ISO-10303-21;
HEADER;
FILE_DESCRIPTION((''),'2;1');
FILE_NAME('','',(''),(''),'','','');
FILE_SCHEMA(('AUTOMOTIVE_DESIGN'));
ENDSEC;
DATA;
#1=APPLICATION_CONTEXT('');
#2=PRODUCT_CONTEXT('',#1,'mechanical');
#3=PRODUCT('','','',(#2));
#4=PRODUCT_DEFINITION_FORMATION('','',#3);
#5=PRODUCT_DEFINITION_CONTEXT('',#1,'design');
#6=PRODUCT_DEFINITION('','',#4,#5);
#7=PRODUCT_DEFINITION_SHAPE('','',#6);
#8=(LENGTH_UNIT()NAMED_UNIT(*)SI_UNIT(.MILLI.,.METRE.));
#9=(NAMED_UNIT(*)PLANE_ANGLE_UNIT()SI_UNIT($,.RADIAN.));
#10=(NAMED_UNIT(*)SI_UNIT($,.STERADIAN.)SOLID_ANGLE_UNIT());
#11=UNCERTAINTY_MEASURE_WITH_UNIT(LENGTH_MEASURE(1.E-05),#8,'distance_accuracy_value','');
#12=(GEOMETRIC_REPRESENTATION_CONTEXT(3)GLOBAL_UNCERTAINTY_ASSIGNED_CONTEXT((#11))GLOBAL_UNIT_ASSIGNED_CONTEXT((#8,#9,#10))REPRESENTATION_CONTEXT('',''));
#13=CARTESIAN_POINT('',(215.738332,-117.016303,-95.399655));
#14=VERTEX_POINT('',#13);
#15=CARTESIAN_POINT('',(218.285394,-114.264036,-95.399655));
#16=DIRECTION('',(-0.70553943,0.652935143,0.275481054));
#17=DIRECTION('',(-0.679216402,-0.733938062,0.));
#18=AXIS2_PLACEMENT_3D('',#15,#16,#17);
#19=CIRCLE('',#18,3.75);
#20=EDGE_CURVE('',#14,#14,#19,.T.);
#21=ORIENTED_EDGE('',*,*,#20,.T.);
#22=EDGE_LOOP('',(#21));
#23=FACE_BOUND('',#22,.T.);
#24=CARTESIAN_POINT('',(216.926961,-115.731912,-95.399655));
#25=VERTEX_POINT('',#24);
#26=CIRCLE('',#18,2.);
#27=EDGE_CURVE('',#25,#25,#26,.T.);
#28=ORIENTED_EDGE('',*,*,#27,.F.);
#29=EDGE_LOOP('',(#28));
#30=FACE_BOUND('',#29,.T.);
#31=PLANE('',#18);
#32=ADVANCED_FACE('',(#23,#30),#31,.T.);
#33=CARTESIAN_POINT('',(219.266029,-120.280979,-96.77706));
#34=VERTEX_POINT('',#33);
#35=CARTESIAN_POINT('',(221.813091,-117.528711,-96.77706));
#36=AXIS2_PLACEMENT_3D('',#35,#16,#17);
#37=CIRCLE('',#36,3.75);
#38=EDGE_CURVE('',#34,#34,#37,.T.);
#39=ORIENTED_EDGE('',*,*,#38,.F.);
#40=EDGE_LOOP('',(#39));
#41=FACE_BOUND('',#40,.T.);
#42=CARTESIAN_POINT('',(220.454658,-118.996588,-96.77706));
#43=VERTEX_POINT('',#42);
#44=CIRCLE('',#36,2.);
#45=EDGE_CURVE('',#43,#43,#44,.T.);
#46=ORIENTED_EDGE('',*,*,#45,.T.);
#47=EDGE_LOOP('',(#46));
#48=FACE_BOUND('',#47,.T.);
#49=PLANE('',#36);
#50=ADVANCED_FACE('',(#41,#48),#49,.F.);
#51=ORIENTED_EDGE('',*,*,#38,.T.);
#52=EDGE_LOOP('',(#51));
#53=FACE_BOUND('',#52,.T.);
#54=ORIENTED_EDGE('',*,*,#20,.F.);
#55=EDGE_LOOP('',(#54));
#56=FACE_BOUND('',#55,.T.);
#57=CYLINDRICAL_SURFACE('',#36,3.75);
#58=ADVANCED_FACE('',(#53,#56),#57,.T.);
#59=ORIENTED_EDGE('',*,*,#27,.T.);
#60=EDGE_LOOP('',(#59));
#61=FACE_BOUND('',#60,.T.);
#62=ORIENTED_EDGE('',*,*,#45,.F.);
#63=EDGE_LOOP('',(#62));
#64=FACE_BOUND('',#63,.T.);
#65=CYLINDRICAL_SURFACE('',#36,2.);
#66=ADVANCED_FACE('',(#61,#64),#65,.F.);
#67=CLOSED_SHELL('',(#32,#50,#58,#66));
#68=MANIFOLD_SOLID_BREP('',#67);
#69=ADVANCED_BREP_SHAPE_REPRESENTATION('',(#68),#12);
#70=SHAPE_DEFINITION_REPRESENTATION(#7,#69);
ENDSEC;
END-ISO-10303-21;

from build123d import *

# Parameters (mm, degrees)
SKETCH_1_R      = 3.75
SKETCH_1_R_2    = 2
EXTRUDE_1_DEPTH = 5


with BuildPart() as part:
    # Эскиз1 → Бобышка-Вытянуть1 (new body)
    with BuildSketch(Plane(origin=(179.839710714, -166.431048635, -70.219226594), x_dir=(0.609726944998615, 0.36117470129410584, 0.7055394302856286), z_dir=(-0.7055394302856286, 0.6529351430211373, 0.2754810543761542))):
        with Locations(Location((24.516989087, 65.05719771, 0), (0, 0, 227.217559742))):
            Circle(SKETCH_1_R)
        with Locations(Location((24.516989087, 65.05719771, 0), (0, 0, 227.217559742))):
            Circle(SKETCH_1_R_2, mode=Mode.SUBTRACT)
    extrude(amount=-EXTRUDE_1_DEPTH)


solid = part.part
